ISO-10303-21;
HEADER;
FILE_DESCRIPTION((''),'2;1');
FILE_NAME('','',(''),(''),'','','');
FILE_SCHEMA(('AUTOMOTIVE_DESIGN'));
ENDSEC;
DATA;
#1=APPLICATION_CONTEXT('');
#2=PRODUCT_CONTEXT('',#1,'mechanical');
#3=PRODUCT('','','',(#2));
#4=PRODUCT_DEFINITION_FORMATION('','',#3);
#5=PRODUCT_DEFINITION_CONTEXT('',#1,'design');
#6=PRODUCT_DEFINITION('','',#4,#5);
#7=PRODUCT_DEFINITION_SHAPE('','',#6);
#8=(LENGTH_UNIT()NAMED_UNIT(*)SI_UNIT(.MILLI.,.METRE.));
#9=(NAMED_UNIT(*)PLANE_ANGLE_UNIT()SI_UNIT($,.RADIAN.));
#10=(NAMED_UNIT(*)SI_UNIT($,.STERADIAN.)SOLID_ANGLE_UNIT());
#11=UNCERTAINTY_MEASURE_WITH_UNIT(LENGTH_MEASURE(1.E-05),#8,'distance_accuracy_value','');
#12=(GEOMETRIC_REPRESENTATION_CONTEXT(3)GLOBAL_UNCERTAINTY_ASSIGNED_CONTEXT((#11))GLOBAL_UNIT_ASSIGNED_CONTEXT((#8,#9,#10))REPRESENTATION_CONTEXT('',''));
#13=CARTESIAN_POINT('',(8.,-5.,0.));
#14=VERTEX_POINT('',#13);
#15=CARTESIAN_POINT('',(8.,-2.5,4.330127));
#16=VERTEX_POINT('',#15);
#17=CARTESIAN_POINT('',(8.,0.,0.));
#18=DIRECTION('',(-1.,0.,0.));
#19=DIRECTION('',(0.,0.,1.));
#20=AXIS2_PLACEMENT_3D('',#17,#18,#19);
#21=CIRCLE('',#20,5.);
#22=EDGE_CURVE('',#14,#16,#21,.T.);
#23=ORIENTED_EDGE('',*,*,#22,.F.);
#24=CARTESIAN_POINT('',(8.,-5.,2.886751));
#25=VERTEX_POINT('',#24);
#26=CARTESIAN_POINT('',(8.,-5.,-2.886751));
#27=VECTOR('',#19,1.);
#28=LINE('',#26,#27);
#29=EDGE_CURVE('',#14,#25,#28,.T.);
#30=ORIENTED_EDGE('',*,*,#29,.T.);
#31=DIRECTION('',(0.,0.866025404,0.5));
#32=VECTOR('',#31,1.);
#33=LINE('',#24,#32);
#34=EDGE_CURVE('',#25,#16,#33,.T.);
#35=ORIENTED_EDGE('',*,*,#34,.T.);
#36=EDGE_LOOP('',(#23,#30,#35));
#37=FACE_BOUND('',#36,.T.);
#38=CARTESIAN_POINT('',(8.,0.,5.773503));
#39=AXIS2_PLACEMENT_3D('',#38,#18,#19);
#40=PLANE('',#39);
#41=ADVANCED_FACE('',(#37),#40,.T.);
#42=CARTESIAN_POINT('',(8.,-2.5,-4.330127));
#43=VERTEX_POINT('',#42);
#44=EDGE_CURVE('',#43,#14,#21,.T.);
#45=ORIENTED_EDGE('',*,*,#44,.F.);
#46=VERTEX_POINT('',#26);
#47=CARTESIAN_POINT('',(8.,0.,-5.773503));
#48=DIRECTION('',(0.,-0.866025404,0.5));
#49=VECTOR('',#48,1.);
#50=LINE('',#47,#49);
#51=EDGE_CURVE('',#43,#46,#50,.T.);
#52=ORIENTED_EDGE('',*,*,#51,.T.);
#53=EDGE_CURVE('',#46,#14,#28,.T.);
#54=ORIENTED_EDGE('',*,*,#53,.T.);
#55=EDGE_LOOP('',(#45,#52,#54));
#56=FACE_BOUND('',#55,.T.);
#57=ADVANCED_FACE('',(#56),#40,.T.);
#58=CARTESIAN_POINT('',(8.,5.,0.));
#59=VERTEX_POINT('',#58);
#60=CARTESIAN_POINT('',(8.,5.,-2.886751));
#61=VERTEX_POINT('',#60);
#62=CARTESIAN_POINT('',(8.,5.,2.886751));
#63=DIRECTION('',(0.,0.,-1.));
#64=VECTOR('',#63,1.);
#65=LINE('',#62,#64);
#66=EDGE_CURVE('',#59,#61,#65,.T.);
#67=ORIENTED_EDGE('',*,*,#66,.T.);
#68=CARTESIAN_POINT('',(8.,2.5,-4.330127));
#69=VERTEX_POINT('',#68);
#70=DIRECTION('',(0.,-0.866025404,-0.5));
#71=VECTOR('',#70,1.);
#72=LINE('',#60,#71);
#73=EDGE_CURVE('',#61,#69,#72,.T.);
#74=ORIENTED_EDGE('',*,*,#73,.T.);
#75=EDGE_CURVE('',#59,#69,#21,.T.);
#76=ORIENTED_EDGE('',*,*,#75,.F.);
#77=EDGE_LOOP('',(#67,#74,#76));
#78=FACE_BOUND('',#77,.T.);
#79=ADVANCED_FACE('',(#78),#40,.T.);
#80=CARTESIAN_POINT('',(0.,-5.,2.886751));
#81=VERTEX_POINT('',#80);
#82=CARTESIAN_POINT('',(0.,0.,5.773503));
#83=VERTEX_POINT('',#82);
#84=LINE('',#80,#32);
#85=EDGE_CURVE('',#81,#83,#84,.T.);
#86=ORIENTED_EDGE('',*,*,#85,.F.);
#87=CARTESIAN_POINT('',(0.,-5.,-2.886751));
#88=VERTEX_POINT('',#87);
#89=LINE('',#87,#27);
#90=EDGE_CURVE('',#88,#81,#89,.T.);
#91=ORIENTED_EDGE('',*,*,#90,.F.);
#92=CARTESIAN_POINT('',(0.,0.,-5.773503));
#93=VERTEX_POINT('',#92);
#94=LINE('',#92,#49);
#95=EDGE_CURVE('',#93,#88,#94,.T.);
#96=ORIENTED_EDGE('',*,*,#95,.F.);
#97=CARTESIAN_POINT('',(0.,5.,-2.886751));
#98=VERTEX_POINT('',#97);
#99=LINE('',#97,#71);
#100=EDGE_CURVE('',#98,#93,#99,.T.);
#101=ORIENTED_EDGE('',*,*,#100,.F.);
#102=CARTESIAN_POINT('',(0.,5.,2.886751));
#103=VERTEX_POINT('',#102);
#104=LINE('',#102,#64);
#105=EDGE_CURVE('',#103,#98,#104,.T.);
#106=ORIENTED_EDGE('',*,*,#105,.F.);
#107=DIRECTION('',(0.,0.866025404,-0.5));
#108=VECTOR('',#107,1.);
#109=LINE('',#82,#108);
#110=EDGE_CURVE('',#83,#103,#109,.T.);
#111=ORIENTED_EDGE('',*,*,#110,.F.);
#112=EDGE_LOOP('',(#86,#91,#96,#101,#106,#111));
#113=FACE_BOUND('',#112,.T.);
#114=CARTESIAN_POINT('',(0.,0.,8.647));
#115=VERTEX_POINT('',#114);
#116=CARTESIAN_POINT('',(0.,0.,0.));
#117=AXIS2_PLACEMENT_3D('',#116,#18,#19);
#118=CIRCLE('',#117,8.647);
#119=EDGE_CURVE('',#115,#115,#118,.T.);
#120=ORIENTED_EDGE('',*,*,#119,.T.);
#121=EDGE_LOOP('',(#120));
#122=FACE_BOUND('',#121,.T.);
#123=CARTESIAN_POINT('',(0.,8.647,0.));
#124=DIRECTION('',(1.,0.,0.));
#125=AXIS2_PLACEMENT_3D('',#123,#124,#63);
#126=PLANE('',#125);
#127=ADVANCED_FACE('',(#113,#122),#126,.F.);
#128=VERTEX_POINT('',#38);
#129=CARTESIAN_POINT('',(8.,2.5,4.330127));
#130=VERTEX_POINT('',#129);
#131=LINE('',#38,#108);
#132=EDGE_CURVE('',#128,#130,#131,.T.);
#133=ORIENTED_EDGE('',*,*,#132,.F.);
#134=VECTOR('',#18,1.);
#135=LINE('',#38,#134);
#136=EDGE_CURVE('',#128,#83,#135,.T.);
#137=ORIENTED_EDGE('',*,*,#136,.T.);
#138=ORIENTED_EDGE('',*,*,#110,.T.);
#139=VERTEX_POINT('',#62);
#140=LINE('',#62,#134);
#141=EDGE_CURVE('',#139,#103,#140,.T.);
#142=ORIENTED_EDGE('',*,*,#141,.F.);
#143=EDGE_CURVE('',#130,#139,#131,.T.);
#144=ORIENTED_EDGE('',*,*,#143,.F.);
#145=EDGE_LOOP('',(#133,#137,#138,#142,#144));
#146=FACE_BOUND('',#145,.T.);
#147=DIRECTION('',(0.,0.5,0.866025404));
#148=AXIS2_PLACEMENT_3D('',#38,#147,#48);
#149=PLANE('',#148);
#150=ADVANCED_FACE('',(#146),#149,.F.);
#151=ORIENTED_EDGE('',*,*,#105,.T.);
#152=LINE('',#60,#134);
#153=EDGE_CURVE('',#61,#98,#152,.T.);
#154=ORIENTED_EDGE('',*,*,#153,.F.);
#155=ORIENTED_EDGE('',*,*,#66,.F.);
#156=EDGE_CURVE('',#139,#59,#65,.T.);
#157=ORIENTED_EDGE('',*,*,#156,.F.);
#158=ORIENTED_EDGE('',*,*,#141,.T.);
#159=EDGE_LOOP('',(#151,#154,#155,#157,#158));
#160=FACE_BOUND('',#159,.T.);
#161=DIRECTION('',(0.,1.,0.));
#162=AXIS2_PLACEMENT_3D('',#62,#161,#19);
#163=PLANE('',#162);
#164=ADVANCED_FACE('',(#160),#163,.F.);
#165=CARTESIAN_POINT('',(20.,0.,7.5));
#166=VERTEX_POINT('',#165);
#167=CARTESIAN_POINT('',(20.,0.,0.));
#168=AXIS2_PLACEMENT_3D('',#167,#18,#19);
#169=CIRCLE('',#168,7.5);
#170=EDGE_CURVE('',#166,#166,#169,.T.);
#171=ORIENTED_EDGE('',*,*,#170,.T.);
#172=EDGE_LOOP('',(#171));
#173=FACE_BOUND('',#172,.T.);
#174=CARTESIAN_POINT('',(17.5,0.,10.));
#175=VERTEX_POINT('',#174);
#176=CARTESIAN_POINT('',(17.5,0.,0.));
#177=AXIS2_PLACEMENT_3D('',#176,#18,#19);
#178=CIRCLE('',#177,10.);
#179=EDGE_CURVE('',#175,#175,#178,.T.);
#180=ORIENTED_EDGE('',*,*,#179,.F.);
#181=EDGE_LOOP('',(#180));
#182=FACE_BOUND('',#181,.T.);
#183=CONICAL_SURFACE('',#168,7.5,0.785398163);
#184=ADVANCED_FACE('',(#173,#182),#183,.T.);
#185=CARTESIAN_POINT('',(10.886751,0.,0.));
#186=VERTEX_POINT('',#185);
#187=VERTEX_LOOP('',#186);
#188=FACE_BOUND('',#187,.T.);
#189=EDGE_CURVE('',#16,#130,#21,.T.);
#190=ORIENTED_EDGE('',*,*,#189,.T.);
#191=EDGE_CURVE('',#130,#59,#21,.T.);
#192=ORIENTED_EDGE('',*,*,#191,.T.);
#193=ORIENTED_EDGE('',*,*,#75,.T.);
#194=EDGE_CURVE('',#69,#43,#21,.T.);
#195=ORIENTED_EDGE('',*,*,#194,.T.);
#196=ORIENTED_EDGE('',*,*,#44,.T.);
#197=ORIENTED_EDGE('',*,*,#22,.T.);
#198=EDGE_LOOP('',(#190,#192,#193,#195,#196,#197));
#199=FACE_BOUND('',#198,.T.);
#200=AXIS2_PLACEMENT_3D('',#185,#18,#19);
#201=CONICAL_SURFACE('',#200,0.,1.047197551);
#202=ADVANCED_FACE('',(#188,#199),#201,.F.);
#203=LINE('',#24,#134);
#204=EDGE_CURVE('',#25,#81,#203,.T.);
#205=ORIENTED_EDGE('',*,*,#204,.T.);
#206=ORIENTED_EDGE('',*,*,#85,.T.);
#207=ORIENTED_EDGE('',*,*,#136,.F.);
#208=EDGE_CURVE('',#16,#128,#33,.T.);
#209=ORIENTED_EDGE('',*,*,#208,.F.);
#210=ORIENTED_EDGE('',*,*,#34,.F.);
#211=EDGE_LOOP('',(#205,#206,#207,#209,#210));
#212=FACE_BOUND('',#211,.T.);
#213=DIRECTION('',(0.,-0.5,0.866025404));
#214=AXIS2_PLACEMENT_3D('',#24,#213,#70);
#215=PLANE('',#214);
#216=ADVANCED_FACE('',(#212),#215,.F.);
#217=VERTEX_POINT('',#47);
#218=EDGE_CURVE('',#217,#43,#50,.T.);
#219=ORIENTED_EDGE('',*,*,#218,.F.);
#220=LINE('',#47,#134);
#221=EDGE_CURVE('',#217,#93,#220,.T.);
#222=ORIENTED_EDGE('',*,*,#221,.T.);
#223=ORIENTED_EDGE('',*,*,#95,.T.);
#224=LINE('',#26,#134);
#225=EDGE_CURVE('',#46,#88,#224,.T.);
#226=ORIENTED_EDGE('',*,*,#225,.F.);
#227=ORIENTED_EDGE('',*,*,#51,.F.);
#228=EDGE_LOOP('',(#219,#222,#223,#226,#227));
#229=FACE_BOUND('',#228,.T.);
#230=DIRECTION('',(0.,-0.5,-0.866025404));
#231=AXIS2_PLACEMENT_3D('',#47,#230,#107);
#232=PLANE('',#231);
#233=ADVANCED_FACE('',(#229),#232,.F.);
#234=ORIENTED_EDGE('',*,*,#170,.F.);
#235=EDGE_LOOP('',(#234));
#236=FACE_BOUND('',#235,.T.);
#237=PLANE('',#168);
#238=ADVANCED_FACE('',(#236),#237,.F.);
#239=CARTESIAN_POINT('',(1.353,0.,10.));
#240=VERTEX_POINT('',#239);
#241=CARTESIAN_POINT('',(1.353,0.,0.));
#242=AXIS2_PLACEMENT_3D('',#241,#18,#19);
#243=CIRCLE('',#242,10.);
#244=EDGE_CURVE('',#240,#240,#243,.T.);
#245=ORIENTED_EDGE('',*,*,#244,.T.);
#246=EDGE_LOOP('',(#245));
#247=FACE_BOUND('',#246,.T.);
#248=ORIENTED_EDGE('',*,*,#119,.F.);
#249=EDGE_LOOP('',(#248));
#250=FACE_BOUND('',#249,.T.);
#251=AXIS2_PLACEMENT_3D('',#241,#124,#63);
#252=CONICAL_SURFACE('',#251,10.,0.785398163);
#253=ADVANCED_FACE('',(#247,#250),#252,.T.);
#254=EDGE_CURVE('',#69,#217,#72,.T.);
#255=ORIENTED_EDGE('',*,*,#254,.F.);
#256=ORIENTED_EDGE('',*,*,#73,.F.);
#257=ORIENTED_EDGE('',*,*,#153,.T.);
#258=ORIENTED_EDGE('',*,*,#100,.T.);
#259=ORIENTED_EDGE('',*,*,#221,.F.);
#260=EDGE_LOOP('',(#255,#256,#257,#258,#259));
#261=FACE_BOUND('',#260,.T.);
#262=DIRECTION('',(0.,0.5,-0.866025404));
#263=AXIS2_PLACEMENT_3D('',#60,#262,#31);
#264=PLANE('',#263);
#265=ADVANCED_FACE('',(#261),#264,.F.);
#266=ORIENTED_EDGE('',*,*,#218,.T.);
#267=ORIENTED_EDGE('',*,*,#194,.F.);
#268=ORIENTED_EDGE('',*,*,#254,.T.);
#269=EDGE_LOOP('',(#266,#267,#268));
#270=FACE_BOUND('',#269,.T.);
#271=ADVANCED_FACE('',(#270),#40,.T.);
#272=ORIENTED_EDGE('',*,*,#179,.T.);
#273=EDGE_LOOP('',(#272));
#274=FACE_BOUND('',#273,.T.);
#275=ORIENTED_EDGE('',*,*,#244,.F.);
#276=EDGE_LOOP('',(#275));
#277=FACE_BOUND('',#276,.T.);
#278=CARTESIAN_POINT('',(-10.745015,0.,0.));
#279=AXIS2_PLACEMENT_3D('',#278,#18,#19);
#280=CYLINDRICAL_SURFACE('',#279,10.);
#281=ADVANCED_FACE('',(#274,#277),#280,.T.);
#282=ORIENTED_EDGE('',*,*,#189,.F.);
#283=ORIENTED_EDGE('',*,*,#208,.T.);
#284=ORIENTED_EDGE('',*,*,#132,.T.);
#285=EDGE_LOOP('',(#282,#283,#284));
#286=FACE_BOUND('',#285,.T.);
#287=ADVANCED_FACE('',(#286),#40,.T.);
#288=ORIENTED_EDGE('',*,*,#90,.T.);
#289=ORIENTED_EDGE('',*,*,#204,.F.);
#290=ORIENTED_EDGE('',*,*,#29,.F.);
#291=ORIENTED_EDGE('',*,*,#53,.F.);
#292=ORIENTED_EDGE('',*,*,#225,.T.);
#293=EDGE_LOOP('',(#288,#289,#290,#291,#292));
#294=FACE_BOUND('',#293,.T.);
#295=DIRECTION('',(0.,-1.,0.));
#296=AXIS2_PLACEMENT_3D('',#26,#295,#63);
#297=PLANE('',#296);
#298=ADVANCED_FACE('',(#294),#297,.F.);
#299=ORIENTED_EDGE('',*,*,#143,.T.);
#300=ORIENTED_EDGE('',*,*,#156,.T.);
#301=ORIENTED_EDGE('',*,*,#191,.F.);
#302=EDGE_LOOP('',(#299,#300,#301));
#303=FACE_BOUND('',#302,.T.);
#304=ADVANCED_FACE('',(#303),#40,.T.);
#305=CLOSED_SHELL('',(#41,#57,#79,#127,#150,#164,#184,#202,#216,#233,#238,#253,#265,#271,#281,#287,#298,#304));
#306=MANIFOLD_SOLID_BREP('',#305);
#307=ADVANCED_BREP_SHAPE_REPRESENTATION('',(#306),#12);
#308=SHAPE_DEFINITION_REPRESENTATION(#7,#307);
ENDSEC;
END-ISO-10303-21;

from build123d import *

# Parameters (mm, degrees)
HEXAGONSOCKET_DEPTH = 8


with BuildPart() as part:
    # Sketch1 → Base (revolve)
    with BuildSketch(Plane.XY, mode=Mode.PRIVATE) as base_sk:
        Polygon((0, 0), (20, 0), (20, 7.5), (17.5, 10), (1.353, 10), (0, 8.647), align=None)
    revolve(base_sk.sketch.rotate(Axis((-10.745014543, 0, 0), (1, 0, 0)), 90), axis=Axis((-10.745014543, 0, 0), (1, 0, 0)))

    # Sketch2 → HexagonSocket (cut)
    with BuildSketch(Plane(origin=(0, -0.021932325, 0.010138848), x_dir=(0, 0, 1), z_dir=(-1, 0, 0))):
        Polygon((5.763363844, 0.021932325), (2.876612498, 5.021932325), (-2.896890194, 5.021932325), (-5.78364154, 0.021932325), (-2.896890194, -4.978067675), (2.876612498, -4.978067675), align=None)
    extrude(amount=-HEXAGONSOCKET_DEPTH, mode=Mode.SUBTRACT)

    # Sketch3 → Cut-Revolve1 (revolve, cut)
    with BuildSketch(Plane.XY, mode=Mode.PRIVATE) as cut_revolve1_sk:
        Polygon((8, 5), (10.886751346, 0), (8, 0), align=None)
    revolve(cut_revolve1_sk.sketch.rotate(Axis((-3.144113667, 0, 0), (1, 0, 0)), 90), axis=Axis((-3.144113667, 0, 0), (1, 0, 0)), mode=Mode.SUBTRACT)


solid = part.part
